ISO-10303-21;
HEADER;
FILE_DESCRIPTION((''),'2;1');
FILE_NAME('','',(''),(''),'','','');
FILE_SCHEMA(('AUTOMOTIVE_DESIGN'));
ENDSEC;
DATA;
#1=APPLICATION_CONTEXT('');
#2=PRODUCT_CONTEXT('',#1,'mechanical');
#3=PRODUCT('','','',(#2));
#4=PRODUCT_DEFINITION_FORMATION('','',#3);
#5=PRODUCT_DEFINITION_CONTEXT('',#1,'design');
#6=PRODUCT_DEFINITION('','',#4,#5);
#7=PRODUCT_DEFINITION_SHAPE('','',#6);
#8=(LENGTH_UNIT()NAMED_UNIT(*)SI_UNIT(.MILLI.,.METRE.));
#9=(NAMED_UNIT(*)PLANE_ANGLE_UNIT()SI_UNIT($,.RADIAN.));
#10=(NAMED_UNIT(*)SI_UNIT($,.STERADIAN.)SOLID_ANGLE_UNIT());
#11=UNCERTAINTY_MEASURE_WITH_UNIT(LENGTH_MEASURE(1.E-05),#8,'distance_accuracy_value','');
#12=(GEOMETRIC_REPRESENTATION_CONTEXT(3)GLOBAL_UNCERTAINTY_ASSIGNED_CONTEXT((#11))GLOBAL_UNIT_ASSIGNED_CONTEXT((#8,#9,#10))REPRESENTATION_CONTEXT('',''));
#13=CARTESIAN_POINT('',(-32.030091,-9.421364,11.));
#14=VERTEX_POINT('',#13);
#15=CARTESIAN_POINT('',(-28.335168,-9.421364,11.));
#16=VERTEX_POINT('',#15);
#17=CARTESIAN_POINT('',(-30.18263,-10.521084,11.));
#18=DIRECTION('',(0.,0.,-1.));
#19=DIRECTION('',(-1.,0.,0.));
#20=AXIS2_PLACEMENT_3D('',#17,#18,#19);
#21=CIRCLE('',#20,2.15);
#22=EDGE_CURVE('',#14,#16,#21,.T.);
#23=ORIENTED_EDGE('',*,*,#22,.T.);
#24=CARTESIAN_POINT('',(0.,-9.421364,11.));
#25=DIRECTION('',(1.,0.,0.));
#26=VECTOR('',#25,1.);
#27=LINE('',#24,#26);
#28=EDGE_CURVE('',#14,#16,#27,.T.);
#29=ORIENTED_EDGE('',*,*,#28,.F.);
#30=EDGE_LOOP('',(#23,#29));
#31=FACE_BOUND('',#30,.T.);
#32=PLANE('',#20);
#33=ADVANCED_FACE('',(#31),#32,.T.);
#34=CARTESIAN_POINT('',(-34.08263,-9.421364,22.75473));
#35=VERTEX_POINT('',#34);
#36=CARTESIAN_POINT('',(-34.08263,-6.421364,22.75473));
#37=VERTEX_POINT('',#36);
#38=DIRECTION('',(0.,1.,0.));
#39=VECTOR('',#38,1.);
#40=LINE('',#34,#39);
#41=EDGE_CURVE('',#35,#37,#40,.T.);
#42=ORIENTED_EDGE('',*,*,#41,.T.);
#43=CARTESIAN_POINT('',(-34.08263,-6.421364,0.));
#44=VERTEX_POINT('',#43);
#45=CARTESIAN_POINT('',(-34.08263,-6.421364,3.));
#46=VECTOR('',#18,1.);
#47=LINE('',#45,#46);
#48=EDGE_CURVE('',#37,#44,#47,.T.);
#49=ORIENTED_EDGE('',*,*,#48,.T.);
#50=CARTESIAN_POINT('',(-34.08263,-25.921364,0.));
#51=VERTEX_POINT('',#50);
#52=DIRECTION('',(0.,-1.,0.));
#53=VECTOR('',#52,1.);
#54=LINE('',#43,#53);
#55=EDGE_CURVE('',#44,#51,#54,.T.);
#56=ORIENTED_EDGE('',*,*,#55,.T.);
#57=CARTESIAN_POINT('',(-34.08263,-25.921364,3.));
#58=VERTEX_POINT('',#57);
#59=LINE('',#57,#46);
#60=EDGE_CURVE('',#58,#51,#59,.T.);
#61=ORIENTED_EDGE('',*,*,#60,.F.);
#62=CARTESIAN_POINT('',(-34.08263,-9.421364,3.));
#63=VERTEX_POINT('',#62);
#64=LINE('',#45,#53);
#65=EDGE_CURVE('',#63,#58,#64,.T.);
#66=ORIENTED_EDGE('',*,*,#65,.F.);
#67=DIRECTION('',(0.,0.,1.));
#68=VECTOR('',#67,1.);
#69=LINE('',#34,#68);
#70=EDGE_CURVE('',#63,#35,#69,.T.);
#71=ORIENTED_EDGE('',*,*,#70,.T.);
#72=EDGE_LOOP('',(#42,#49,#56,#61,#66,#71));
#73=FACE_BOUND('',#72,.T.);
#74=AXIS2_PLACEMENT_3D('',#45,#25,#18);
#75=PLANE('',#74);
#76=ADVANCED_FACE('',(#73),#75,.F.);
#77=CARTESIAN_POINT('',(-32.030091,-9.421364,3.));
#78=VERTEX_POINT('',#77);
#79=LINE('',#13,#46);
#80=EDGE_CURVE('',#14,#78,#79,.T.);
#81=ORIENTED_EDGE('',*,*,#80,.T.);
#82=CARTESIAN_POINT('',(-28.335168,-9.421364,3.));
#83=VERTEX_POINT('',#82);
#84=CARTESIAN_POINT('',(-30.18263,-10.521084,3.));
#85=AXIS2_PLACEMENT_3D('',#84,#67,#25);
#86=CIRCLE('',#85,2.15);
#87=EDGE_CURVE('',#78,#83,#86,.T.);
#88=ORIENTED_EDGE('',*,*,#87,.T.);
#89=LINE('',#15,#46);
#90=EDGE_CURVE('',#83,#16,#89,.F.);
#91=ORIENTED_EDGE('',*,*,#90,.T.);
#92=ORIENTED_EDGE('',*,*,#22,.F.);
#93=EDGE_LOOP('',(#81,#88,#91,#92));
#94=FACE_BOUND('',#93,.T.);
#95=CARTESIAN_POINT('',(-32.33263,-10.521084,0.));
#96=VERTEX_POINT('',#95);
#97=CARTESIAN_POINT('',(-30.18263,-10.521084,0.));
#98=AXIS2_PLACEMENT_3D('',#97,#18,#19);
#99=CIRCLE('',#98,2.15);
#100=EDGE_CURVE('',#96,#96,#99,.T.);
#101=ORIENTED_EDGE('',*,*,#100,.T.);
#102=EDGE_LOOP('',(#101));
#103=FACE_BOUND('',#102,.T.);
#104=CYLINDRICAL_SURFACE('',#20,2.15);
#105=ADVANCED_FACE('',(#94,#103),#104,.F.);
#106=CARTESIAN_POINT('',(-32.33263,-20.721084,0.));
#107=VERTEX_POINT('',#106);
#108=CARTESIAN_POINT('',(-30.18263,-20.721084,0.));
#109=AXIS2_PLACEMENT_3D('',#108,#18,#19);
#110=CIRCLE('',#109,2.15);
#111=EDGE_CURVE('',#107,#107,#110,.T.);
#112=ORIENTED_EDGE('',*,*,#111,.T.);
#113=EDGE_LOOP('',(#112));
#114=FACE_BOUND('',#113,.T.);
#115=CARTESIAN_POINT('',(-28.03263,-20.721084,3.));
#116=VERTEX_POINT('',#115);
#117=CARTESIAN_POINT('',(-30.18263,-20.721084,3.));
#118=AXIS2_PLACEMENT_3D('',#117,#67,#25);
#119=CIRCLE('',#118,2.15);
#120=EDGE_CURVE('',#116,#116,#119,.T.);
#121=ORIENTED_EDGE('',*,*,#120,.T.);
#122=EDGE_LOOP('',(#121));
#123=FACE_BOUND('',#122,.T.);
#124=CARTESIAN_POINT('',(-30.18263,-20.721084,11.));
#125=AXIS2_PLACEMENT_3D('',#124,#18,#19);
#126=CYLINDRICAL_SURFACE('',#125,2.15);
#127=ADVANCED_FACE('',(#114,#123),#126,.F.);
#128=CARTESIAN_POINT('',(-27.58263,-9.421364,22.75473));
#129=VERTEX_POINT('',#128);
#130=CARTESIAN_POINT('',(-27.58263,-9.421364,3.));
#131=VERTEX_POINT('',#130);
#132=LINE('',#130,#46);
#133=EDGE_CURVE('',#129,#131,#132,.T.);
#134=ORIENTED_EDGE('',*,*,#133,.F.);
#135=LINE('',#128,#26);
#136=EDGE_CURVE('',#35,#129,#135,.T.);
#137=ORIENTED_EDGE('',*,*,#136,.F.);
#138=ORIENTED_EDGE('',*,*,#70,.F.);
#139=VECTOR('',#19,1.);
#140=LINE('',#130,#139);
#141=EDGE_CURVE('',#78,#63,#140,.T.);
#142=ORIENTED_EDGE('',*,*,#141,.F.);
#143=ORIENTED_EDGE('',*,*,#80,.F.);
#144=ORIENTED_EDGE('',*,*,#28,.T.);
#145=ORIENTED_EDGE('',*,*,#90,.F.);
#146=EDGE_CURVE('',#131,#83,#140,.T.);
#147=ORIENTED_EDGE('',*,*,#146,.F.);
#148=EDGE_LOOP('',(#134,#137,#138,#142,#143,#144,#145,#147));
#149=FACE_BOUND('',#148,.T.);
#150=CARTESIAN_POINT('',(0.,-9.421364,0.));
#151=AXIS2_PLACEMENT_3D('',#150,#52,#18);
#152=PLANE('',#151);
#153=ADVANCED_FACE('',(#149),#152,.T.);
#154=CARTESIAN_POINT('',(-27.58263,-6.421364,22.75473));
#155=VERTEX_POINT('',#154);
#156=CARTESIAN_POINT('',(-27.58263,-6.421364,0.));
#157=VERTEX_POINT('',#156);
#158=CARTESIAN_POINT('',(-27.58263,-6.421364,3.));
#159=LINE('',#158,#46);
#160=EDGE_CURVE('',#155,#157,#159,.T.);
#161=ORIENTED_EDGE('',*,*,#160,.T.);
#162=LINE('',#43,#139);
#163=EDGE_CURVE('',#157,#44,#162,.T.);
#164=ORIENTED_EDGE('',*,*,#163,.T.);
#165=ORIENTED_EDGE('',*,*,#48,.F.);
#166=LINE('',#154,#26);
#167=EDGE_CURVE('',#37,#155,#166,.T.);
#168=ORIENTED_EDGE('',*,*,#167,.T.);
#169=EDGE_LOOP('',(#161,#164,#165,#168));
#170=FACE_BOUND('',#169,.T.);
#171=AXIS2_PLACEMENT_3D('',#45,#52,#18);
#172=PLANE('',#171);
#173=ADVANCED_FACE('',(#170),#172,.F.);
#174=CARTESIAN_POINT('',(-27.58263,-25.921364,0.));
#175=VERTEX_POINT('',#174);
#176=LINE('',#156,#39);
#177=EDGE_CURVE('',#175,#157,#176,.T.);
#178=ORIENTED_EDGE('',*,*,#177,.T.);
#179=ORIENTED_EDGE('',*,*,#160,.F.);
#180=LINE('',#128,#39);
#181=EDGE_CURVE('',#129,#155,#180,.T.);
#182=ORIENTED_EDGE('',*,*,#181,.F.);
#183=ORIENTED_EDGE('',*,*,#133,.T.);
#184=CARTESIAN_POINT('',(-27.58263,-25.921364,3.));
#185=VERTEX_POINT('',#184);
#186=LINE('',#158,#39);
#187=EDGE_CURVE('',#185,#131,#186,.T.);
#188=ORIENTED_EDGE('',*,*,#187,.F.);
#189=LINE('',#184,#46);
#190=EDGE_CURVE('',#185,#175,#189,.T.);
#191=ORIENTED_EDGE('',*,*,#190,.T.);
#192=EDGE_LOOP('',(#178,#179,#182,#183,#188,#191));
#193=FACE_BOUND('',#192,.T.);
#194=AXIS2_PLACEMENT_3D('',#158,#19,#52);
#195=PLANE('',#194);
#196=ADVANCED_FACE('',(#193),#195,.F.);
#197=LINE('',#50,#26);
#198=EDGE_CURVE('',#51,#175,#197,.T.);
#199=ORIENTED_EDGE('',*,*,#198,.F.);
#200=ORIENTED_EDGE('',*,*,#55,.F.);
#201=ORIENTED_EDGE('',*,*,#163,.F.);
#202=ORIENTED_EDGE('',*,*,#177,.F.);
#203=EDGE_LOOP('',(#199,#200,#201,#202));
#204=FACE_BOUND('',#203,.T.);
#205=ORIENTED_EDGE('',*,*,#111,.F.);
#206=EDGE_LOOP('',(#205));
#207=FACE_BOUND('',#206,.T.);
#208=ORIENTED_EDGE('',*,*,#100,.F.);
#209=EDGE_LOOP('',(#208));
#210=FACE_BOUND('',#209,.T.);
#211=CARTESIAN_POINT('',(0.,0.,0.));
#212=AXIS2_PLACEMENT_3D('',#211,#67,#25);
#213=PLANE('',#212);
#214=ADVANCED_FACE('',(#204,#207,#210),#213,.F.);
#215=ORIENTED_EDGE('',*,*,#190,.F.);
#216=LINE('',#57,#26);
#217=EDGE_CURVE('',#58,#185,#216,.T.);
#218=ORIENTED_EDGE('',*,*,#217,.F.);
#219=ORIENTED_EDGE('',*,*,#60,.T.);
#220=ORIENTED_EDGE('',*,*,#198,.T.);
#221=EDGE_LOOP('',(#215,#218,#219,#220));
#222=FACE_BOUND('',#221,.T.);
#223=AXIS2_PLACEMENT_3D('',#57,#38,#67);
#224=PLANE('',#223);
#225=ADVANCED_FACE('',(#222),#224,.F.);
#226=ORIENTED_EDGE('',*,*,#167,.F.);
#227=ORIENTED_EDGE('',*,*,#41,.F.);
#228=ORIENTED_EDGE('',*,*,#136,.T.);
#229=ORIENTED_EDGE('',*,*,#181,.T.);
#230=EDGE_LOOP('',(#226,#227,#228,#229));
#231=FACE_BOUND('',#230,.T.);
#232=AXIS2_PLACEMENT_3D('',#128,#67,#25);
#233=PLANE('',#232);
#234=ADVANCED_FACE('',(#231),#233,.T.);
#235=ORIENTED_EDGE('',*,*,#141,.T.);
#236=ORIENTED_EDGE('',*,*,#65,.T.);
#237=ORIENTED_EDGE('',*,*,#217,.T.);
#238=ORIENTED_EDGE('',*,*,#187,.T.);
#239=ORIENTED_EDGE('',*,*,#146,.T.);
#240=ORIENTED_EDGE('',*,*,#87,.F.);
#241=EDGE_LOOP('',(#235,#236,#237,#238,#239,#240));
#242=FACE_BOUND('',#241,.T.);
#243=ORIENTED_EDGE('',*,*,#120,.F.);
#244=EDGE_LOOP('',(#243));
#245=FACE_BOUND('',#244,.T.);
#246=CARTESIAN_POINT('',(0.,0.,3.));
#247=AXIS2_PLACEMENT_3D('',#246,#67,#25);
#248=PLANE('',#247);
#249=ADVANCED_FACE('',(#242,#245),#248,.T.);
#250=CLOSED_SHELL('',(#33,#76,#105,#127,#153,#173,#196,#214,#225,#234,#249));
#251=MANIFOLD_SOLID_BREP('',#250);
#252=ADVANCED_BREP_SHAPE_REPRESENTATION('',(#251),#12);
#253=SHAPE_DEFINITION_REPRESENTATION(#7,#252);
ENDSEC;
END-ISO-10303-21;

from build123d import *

# Parameters (mm, degrees)
SKETCH1_W           = 6.5
SKETCH1_H           = 19.5
BOSS_EXTRUDE1_DEPTH = 3
SKETCH6_W           = 6.5
SKETCH6_H           = 19.754729726
BOSS_EXTRUDE2_DEPTH = 3
SKETCH7_R           = 2.15
CUT_EXTRUDE1_DEPTH  = 11


with BuildPart() as part:
    # Sketch1 → Boss-Extrude1 (new body)
    with BuildSketch(Plane.XY):
        with Locations((-30.832629628, -16.171363726)):
            Rectangle(SKETCH1_W, SKETCH1_H)
    extrude(amount=BOSS_EXTRUDE1_DEPTH)

    # Sketch6 → Boss-Extrude2 (add)
    with BuildSketch(Plane(origin=(0, -6.421363726, 0), x_dir=(1, 0, 0), z_dir=(0, 1, 0))):
        with Locations((-30.832629628, -12.877364863)):
            Rectangle(SKETCH6_W, SKETCH6_H)
    extrude(amount=-BOSS_EXTRUDE2_DEPTH)

    # Sketch7 → Cut-Extrude1 (cut)
    with BuildSketch(Plane(origin=(0, 0, 0), x_dir=(-1, 0, 0), z_dir=(0, 0, -1))):
        with Locations((30.182629628, -10.521084151)):
            Circle(SKETCH7_R)
        with Locations((30.182629628, -20.721084151)):
            Circle(SKETCH7_R)
    extrude(amount=-CUT_EXTRUDE1_DEPTH, mode=Mode.SUBTRACT)


solid = part.part
